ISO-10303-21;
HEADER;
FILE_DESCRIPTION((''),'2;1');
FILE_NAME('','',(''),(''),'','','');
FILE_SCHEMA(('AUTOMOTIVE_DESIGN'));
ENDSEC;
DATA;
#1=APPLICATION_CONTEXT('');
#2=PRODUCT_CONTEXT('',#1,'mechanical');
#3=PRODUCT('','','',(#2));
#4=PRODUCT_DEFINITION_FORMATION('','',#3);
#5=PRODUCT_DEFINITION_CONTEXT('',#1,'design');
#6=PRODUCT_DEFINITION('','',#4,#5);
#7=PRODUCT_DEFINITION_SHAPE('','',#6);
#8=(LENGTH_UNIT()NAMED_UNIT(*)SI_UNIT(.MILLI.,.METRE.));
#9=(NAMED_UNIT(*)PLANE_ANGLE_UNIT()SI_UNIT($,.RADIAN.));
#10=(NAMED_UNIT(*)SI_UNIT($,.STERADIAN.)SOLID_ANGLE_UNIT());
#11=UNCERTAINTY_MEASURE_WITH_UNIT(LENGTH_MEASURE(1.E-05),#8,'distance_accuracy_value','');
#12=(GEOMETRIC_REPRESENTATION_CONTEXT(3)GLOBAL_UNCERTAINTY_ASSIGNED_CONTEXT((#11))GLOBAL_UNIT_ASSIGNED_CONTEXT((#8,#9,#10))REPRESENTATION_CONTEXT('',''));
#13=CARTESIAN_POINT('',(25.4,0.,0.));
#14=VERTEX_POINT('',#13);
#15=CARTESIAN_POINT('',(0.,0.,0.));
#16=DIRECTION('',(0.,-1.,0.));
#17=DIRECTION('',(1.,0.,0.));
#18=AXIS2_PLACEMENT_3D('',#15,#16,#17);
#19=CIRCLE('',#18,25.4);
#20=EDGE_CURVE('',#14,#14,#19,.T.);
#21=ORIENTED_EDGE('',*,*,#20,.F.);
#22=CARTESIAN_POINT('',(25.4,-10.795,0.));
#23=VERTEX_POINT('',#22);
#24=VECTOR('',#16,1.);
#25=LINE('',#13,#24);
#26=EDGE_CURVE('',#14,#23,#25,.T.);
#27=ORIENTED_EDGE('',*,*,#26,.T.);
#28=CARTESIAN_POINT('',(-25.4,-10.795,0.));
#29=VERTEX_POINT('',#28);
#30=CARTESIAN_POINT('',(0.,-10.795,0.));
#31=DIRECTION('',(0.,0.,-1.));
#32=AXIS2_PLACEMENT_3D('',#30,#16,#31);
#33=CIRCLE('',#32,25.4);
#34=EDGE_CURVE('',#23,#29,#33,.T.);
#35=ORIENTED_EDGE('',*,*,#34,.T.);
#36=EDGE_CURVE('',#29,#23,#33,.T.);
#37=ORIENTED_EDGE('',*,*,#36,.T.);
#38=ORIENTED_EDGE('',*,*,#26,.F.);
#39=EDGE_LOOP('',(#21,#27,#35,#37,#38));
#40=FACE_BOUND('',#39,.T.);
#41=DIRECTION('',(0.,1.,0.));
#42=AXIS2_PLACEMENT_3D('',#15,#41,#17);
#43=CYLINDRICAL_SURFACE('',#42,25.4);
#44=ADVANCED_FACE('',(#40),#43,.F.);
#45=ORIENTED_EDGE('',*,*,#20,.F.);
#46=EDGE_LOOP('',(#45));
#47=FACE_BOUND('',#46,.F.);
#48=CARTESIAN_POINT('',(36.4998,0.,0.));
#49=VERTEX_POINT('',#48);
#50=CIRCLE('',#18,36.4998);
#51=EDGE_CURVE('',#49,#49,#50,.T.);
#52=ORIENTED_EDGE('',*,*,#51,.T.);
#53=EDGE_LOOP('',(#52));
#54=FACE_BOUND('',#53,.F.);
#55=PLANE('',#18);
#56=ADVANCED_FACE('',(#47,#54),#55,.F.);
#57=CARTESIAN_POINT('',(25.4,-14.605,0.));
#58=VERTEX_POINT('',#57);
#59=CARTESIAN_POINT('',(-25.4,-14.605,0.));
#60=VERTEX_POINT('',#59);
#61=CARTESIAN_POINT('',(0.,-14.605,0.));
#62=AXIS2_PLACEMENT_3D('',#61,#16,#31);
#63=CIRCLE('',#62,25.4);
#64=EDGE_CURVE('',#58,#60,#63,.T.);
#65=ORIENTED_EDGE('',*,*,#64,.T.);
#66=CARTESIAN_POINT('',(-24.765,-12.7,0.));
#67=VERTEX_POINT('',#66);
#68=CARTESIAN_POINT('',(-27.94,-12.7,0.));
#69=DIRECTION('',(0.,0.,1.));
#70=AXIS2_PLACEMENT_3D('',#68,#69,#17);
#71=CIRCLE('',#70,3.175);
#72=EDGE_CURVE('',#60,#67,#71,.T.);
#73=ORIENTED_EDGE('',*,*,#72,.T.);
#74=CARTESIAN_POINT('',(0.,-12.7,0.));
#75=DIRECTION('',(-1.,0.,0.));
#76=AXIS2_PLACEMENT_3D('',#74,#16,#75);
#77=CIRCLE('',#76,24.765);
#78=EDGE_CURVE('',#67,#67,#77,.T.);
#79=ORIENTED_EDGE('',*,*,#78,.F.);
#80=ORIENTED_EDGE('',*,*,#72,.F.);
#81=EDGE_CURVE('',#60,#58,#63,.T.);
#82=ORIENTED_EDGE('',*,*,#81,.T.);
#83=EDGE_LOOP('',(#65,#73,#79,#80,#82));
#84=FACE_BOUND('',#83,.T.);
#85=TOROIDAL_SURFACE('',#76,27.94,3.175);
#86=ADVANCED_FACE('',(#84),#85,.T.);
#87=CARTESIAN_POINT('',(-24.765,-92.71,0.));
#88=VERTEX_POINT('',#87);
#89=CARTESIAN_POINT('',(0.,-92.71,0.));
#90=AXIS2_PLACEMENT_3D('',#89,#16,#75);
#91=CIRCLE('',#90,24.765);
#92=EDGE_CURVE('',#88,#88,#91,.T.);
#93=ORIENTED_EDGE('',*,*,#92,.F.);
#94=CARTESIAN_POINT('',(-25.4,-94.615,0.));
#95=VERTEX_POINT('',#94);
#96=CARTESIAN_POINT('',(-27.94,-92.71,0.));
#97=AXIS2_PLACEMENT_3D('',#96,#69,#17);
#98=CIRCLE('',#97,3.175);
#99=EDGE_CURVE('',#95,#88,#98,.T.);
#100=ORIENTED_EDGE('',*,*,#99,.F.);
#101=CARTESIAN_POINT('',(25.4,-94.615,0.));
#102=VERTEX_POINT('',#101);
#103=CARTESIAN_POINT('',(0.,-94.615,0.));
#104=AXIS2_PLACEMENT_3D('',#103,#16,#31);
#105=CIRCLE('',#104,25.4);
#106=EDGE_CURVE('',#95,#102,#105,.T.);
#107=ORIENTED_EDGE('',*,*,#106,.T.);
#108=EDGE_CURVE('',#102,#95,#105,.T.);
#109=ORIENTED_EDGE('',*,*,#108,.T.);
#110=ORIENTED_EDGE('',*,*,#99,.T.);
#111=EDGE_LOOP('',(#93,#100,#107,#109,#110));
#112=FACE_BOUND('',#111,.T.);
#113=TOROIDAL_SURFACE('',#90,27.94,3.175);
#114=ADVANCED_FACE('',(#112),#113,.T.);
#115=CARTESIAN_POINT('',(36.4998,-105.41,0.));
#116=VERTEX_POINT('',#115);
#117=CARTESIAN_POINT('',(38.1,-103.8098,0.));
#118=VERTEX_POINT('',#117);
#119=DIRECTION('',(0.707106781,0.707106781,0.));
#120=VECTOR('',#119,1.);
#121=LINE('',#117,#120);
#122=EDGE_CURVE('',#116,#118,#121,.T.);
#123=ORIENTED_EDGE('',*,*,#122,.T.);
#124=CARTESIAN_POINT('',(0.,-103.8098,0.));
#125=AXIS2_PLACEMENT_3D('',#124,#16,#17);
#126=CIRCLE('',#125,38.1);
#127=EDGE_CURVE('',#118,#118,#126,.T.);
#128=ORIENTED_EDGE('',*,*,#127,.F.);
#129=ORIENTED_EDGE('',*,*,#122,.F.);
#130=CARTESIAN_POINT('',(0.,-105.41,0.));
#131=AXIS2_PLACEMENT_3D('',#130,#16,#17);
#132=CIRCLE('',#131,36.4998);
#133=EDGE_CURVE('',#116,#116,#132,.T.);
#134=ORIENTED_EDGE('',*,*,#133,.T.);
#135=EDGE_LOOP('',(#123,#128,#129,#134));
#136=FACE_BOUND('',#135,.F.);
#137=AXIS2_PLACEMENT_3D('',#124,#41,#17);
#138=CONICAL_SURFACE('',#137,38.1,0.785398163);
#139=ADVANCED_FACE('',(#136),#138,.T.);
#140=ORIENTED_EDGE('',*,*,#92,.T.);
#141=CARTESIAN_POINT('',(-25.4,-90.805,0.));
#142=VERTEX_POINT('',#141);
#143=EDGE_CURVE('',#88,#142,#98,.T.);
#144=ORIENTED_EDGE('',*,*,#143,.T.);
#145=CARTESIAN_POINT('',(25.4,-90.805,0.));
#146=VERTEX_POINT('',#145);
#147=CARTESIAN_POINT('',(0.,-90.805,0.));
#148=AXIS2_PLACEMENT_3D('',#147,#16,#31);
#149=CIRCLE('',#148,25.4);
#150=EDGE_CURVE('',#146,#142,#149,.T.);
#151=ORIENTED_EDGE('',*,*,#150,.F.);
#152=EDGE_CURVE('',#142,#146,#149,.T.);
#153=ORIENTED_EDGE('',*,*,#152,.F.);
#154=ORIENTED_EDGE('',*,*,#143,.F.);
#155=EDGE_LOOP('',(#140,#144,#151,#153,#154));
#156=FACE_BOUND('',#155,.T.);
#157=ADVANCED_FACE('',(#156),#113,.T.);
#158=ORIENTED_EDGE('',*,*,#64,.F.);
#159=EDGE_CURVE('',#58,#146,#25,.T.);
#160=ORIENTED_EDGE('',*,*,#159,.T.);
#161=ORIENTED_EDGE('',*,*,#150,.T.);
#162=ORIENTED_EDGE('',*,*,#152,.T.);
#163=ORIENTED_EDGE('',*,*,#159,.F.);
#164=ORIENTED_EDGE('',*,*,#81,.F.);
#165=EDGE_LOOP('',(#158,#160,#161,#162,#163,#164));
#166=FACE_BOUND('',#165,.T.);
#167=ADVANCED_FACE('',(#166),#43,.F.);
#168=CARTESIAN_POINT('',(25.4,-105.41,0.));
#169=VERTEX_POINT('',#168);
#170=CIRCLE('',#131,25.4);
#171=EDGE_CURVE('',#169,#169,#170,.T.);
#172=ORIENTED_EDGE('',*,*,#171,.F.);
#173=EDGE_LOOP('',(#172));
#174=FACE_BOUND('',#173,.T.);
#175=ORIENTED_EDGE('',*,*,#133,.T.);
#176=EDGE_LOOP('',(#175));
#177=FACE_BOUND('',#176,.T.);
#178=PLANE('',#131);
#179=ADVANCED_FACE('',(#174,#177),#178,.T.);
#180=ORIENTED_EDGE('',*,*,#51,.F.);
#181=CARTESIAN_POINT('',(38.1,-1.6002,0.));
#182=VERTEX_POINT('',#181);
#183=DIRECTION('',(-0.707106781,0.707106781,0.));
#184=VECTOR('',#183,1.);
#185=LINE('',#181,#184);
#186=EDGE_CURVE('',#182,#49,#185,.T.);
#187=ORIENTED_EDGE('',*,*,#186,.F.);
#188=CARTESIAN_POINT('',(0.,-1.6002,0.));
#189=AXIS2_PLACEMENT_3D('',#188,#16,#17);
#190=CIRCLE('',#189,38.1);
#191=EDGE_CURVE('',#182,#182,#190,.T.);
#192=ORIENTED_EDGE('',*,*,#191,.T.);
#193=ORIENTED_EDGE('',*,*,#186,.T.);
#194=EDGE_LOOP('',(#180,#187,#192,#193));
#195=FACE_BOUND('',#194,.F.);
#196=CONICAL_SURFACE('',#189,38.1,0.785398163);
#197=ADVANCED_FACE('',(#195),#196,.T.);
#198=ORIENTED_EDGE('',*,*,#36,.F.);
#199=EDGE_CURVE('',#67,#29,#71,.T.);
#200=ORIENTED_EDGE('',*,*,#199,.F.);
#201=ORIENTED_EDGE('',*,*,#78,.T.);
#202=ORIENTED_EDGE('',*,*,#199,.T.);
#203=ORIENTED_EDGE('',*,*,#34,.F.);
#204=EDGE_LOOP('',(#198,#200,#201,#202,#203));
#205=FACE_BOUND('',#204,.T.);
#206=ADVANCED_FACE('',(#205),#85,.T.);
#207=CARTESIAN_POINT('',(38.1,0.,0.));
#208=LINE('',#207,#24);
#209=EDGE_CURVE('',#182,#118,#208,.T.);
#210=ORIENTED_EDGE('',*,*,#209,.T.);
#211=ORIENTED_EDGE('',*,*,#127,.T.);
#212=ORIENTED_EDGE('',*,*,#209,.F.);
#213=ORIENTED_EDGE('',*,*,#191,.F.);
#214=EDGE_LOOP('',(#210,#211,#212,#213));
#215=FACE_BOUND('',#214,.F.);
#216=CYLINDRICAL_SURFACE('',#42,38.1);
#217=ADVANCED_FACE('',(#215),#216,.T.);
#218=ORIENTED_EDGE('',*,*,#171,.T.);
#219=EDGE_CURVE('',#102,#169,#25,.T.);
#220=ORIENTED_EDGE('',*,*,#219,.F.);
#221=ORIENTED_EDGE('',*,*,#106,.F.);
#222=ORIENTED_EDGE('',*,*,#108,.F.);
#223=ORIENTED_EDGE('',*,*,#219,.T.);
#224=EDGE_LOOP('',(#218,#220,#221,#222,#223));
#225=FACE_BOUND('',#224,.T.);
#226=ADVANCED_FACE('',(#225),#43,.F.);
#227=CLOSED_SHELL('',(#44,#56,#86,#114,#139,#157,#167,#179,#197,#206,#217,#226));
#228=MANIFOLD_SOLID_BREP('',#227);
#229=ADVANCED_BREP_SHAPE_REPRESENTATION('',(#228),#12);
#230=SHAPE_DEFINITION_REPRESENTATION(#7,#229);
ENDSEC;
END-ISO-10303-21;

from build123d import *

# Parameters (mm, degrees)
F0_R     = 38.1
F0_R_2   = 25.4
F1_DEPTH = 105.41
F2_R     = 3.175
F4_SIZE  = 1.6002


with BuildPart() as f1:
    # F0 (on Front) → F1 (new body)
    with BuildSketch(Plane.XZ):
        Circle(F0_R)
        Circle(F0_R_2, mode=Mode.SUBTRACT)
    extrude(amount=F1_DEPTH)

    # F2 (on Top) → F3 (revolve)
    with BuildSketch(Plane.XY):
        with Locations((-27.94, -92.71)):
            Circle(F2_R)
        with Locations((-27.94, -12.7)):
            Circle(F2_R)
    revolve(axis=Axis((0, -105.41, 0), (0, -1, 0)))

    # F4
    f4_edges = [f1.edges().sort_by_distance(p)[0] for p in [
        (-38.1, -105.41, 0),
        (-38.1, 0, 0),
    ]]
    chamfer(f4_edges, length=F4_SIZE)


solid = f1.part
